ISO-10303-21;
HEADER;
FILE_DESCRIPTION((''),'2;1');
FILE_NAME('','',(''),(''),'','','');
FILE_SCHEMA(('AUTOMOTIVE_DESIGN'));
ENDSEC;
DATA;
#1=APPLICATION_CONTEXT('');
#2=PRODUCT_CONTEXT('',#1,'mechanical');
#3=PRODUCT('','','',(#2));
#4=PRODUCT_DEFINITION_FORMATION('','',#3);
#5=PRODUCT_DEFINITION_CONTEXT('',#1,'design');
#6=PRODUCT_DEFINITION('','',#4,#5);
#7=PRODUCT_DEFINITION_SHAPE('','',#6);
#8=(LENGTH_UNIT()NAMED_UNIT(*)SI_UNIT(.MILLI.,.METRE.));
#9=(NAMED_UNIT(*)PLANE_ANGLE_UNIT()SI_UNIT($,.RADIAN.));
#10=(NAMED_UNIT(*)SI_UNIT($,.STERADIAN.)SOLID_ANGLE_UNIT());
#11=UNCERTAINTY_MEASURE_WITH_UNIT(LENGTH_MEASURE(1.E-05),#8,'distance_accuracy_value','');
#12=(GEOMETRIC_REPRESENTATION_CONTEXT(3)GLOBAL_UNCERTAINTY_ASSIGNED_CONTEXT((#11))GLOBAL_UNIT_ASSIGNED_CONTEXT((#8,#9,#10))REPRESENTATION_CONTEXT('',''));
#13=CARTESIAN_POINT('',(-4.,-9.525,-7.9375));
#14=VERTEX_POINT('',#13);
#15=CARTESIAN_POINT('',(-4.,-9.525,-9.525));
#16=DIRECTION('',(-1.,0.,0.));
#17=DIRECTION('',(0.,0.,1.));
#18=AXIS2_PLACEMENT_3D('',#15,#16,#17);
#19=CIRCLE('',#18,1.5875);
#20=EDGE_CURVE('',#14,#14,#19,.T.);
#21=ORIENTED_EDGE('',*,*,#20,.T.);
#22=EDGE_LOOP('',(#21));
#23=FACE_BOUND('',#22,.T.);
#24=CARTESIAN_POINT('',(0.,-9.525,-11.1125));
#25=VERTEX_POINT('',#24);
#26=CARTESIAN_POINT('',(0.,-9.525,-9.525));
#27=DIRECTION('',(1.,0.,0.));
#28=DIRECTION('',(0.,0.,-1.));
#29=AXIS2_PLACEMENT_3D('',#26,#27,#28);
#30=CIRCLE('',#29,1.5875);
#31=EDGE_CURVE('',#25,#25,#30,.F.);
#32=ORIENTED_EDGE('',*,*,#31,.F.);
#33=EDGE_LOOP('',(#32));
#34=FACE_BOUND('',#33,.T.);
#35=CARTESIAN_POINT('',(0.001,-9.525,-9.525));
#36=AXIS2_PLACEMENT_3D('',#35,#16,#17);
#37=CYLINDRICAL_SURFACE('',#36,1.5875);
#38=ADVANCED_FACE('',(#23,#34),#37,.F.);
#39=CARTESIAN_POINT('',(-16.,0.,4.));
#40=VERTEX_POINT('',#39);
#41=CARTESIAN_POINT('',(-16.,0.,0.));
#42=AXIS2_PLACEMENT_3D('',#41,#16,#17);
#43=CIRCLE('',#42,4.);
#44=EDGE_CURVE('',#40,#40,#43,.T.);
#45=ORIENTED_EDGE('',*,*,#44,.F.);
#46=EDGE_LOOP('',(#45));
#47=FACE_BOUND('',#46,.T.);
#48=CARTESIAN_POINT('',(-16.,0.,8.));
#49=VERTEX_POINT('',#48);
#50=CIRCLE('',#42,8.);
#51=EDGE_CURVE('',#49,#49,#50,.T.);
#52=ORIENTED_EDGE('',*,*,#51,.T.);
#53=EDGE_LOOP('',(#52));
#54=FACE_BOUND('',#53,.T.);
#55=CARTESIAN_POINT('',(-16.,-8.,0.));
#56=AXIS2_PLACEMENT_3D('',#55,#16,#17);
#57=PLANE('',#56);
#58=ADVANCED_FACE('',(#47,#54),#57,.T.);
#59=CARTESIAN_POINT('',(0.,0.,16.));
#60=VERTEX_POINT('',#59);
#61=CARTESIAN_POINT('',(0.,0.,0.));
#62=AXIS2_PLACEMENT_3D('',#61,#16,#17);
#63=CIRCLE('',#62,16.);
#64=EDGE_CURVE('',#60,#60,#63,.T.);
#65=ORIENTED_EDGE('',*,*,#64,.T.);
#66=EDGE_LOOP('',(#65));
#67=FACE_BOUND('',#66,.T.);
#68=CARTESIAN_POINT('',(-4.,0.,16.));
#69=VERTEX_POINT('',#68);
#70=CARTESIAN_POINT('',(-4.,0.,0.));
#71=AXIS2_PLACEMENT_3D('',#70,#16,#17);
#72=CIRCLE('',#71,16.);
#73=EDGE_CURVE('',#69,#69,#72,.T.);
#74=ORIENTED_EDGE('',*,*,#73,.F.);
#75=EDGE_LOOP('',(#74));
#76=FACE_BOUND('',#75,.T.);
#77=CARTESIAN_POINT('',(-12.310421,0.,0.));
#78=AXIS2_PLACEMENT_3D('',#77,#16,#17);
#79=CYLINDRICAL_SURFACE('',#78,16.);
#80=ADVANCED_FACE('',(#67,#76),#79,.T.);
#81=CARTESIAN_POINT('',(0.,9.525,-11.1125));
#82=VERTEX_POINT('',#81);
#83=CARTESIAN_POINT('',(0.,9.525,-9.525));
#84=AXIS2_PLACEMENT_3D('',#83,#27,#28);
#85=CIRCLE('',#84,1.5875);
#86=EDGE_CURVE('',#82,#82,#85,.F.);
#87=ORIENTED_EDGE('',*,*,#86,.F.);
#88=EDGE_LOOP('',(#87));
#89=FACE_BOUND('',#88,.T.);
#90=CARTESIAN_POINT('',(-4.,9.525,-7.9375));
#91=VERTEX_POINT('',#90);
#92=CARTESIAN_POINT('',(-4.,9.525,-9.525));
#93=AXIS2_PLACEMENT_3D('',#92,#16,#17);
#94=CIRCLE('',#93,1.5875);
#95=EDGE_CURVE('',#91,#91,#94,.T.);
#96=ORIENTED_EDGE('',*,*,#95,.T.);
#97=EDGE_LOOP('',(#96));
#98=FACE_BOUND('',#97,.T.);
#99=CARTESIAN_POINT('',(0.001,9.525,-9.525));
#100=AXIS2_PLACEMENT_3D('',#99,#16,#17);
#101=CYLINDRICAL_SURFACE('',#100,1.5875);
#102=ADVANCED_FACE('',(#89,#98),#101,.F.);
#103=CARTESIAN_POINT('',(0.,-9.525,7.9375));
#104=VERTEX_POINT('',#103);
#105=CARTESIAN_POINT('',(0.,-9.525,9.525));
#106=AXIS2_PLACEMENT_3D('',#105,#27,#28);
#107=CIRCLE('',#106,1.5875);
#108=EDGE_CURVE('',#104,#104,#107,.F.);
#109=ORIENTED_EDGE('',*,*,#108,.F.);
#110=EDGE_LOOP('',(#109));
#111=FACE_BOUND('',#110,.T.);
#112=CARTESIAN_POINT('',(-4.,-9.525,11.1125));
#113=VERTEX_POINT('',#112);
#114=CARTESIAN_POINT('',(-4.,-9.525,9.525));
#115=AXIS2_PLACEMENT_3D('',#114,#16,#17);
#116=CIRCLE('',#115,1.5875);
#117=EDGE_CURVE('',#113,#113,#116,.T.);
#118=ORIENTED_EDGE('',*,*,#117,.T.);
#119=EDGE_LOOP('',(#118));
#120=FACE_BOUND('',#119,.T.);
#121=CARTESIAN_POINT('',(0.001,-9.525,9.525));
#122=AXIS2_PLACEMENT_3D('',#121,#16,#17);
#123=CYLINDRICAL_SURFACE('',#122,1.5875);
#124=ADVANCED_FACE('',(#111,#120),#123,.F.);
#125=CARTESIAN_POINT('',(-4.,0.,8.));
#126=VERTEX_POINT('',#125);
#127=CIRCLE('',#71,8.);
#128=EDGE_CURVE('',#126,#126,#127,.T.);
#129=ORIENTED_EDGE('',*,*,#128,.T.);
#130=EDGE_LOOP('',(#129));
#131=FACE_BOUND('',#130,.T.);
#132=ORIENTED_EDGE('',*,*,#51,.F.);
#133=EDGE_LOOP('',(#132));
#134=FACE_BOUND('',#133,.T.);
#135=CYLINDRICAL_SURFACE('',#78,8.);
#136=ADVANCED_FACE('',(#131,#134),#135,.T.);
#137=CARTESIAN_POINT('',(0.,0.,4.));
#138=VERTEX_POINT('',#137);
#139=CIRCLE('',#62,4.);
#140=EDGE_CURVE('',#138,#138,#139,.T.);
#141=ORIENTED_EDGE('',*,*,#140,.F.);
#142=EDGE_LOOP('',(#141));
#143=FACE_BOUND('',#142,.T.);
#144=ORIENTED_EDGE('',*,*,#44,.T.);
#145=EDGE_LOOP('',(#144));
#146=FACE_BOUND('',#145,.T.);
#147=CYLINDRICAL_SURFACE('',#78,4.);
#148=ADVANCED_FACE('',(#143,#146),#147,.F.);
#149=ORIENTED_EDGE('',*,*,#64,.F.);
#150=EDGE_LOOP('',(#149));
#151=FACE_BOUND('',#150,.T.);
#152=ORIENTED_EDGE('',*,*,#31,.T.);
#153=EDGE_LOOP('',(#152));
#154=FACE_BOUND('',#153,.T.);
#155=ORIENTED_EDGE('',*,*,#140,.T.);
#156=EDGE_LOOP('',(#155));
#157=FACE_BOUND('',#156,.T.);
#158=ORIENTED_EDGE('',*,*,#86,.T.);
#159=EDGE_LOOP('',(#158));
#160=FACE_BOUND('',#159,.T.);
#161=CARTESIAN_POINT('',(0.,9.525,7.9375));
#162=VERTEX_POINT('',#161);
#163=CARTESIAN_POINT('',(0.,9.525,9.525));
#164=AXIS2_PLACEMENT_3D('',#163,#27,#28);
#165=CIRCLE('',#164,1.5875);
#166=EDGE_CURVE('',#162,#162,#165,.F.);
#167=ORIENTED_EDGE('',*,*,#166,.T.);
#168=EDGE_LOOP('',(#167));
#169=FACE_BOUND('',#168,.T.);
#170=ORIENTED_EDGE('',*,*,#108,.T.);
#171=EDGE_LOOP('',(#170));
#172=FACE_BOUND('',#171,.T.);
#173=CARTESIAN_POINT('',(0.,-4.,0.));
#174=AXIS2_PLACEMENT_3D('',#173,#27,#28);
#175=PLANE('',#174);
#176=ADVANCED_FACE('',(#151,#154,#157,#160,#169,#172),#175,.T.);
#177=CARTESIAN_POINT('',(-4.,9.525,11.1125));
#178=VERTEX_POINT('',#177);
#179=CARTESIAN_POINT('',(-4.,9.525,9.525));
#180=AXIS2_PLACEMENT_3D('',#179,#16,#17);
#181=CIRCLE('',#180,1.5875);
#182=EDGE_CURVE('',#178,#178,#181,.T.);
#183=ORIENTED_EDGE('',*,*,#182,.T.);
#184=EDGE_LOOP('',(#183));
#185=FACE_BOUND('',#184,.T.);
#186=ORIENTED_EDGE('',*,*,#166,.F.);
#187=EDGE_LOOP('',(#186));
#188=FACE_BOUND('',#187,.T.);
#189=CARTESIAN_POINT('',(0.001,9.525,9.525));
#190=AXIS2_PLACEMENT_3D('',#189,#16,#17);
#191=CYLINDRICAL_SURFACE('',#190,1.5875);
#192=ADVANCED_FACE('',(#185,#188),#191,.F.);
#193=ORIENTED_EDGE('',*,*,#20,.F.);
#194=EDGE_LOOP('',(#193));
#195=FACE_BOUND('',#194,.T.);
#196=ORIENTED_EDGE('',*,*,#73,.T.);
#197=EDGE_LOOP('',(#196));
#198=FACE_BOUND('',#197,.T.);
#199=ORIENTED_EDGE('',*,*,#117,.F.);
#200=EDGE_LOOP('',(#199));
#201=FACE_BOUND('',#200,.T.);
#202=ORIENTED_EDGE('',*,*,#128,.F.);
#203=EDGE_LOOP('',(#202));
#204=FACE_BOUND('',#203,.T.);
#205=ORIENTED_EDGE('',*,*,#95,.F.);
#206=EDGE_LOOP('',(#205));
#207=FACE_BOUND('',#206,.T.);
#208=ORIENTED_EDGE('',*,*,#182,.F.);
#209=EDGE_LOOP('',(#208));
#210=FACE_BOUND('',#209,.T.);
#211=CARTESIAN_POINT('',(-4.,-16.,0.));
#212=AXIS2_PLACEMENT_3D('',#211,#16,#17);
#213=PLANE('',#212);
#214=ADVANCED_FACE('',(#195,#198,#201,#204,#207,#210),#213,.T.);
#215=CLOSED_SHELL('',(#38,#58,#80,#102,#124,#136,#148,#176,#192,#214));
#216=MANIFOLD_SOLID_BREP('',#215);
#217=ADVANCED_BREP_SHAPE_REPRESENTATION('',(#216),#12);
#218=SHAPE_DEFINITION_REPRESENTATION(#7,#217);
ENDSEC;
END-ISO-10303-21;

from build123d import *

# Parameters (mm, degrees)
CUT_EXTRUDE1_REACH = 6
SKETCH3_R          = 1.5875


with BuildPart() as part:
    # Sketch2 → Revolve1 (revolve)
    with BuildSketch(Plane.XY):
        Polygon((-16, -4), (0, -4), (0, -16.000000004), (-4, -16.000000004), (-4, -8), (-16, -8), align=None)
    revolve(axis=Axis((-12.310421286, 0, 0), (1, 0, 0)))

    # Sketch3 → Cut-Extrude1 (cut, up to next)
    with BuildSketch(Plane.ZY.offset(4), mode=Mode.PRIVATE) as cut_extrude1_sk1:
        with Locations((-9.525, 9.525)):
            Circle(SKETCH3_R)
    cut_extrude1_tool1 = extrude(cut_extrude1_sk1.sketch, amount=-CUT_EXTRUDE1_REACH, mode=Mode.PRIVATE) & part.part
    add(cut_extrude1_tool1.solids().sort_by_distance((-4, 9.525, -9.525))[0], mode=Mode.SUBTRACT)
    # Sketch3 → Cut-Extrude1 (cut, up to next)
    with BuildSketch(Plane.ZY.offset(4), mode=Mode.PRIVATE) as cut_extrude1_sk2:
        with Locations((-9.525, -9.525)):
            Circle(SKETCH3_R)
    cut_extrude1_tool2 = extrude(cut_extrude1_sk2.sketch, amount=-CUT_EXTRUDE1_REACH, mode=Mode.PRIVATE) & part.part
    add(cut_extrude1_tool2.solids().sort_by_distance((-4, -9.525, -9.525))[0], mode=Mode.SUBTRACT)
    # Sketch3 → Cut-Extrude1 (cut, up to next)
    with BuildSketch(Plane.ZY.offset(4), mode=Mode.PRIVATE) as cut_extrude1_sk3:
        with Locations((9.525, -9.525)):
            Circle(SKETCH3_R)
    cut_extrude1_tool3 = extrude(cut_extrude1_sk3.sketch, amount=-CUT_EXTRUDE1_REACH, mode=Mode.PRIVATE) & part.part
    add(cut_extrude1_tool3.solids().sort_by_distance((-4, -9.525, 9.525))[0], mode=Mode.SUBTRACT)
    # Sketch3 → Cut-Extrude1 (cut, up to next)
    with BuildSketch(Plane.ZY.offset(4), mode=Mode.PRIVATE) as cut_extrude1_sk4:
        with Locations((9.525, 9.525)):
            Circle(SKETCH3_R)
    cut_extrude1_tool4 = extrude(cut_extrude1_sk4.sketch, amount=-CUT_EXTRUDE1_REACH, mode=Mode.PRIVATE) & part.part
    add(cut_extrude1_tool4.solids().sort_by_distance((-4, 9.525, 9.525))[0], mode=Mode.SUBTRACT)


solid = part.part
